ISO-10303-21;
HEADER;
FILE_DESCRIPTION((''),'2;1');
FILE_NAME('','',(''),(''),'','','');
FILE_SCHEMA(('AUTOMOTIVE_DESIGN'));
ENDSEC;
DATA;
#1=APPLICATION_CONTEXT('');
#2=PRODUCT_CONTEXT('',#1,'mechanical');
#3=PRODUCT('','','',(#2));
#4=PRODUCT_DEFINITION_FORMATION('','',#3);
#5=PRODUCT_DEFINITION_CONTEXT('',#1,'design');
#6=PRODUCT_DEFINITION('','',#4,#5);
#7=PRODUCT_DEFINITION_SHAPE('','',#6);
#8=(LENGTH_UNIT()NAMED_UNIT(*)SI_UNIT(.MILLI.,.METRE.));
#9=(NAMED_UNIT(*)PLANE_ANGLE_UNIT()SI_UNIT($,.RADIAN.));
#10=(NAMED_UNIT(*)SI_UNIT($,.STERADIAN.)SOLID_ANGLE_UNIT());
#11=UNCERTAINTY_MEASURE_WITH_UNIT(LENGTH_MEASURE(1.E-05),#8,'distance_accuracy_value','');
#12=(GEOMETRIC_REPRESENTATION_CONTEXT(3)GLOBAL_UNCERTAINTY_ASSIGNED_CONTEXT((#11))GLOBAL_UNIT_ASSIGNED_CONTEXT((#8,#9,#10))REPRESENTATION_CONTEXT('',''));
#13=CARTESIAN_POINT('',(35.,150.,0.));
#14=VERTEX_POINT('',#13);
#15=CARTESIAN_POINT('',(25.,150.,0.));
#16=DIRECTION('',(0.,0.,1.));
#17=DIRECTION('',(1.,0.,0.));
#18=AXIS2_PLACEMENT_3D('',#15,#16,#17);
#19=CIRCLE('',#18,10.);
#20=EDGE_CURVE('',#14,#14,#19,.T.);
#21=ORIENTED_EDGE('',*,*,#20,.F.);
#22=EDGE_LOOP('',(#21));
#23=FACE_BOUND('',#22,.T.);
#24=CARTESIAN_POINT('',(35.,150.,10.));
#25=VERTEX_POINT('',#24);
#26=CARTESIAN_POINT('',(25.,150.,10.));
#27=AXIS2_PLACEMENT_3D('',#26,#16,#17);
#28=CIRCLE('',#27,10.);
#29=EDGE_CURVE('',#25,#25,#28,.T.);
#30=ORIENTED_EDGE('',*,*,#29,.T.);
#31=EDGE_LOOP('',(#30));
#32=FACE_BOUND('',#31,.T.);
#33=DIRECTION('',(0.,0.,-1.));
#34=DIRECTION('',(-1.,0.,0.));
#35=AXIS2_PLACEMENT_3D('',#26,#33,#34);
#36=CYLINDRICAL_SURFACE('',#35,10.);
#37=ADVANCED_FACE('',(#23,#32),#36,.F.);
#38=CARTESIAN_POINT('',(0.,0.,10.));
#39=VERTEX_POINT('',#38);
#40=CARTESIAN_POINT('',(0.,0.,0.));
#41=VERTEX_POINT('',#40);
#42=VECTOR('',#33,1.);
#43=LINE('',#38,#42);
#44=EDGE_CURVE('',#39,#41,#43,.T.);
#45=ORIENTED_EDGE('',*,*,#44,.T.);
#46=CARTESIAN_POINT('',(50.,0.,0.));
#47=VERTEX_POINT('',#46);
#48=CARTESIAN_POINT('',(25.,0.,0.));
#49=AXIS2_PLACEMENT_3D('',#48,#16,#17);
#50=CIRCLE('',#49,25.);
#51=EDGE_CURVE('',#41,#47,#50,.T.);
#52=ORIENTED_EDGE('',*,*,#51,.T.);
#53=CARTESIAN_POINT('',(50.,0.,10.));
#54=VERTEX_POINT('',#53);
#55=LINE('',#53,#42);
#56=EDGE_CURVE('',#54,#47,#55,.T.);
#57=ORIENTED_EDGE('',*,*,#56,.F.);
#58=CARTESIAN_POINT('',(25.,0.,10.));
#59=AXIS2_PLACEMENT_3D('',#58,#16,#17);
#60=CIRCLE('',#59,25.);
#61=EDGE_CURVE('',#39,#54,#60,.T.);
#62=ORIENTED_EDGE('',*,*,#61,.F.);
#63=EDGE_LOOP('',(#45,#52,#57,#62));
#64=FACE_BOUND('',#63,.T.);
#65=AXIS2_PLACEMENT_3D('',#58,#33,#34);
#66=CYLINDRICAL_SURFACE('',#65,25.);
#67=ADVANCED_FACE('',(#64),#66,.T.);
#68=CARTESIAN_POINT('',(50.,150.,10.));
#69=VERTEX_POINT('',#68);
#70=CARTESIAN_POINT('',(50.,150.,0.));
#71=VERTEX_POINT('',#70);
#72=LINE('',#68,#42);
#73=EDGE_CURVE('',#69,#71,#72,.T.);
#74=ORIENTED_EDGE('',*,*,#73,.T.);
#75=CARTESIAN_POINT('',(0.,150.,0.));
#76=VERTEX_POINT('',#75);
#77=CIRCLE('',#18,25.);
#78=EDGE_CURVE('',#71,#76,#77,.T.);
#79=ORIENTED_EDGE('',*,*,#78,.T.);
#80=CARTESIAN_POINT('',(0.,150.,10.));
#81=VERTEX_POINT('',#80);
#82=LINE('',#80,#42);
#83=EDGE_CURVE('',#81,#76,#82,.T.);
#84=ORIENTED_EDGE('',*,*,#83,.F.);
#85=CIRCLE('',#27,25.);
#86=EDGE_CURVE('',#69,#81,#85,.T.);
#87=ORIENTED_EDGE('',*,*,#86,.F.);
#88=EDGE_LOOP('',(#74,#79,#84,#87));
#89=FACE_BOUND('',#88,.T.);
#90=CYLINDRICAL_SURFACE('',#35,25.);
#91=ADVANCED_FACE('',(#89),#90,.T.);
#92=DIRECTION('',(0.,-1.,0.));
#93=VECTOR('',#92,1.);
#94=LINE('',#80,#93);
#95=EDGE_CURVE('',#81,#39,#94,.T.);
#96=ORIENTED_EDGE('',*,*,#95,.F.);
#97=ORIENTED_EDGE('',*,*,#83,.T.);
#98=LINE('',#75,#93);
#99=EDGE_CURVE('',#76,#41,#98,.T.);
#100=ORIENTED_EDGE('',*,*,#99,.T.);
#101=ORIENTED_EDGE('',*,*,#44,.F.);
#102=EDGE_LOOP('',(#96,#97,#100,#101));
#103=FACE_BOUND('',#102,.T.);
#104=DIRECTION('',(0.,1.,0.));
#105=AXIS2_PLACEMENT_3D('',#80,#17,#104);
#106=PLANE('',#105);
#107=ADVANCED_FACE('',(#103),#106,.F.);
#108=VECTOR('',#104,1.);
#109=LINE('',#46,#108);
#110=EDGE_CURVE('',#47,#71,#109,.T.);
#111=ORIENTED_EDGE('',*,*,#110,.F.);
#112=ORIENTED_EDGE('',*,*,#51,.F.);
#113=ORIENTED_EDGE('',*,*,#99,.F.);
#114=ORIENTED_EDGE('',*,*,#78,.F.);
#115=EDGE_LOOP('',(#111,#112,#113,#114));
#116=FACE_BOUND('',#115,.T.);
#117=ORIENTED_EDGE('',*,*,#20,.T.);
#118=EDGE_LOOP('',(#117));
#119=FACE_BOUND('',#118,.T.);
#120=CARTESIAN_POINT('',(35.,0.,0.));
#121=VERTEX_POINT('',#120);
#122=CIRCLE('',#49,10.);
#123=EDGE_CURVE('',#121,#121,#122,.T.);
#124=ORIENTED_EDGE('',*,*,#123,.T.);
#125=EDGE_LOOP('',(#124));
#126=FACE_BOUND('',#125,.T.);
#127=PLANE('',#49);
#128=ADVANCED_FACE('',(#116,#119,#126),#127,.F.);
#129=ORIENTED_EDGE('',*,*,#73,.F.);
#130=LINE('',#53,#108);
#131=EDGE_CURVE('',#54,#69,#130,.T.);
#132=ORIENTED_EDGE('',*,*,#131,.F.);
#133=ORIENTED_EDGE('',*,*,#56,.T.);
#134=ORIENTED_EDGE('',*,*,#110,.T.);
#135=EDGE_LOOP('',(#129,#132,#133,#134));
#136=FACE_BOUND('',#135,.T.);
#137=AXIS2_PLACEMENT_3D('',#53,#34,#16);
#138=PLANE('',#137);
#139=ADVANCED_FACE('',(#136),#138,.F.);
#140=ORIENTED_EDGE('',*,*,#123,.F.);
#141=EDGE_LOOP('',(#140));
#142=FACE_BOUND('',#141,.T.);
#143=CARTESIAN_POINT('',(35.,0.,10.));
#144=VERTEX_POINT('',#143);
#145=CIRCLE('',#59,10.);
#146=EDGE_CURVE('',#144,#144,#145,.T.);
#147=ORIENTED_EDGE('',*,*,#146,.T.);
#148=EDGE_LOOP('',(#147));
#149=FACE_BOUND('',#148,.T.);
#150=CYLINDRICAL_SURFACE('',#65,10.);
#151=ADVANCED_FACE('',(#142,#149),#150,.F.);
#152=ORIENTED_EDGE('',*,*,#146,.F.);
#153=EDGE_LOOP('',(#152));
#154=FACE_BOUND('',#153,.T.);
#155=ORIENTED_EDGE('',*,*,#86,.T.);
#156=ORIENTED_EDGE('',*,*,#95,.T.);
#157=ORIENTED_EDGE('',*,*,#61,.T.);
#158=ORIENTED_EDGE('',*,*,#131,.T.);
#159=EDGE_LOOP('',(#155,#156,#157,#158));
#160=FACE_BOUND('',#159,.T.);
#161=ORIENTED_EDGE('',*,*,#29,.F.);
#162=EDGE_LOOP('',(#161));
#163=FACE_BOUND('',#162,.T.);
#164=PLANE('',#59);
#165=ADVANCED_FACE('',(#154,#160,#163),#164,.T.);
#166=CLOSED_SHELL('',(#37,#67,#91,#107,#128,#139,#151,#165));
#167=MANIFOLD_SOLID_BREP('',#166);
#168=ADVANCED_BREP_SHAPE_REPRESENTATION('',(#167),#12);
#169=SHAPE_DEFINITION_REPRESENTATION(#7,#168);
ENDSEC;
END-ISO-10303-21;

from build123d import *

# Parameters (mm, degrees)
CROQUIS1_R              = 10
SALIENTE_EXTRUIR1_DEPTH = 10


with BuildPart() as part:
    # Croquis1 → Saliente-Extruir1 (new body)
    with BuildSketch(Plane.XY):
        with BuildLine():
            Line((50, 0), (50, 150))
            ThreePointArc((50, 150), (25, 175), (0, 150))
            Line((0, 150), (0, 0))
            ThreePointArc((0, 0), (25, -25), (50, 0))
        make_face()
        with Locations((25, 150)):
            Circle(CROQUIS1_R, mode=Mode.SUBTRACT)
        with Locations((25, 0)):
            Circle(CROQUIS1_R, mode=Mode.SUBTRACT)
    extrude(amount=SALIENTE_EXTRUIR1_DEPTH)


solid = part.part
